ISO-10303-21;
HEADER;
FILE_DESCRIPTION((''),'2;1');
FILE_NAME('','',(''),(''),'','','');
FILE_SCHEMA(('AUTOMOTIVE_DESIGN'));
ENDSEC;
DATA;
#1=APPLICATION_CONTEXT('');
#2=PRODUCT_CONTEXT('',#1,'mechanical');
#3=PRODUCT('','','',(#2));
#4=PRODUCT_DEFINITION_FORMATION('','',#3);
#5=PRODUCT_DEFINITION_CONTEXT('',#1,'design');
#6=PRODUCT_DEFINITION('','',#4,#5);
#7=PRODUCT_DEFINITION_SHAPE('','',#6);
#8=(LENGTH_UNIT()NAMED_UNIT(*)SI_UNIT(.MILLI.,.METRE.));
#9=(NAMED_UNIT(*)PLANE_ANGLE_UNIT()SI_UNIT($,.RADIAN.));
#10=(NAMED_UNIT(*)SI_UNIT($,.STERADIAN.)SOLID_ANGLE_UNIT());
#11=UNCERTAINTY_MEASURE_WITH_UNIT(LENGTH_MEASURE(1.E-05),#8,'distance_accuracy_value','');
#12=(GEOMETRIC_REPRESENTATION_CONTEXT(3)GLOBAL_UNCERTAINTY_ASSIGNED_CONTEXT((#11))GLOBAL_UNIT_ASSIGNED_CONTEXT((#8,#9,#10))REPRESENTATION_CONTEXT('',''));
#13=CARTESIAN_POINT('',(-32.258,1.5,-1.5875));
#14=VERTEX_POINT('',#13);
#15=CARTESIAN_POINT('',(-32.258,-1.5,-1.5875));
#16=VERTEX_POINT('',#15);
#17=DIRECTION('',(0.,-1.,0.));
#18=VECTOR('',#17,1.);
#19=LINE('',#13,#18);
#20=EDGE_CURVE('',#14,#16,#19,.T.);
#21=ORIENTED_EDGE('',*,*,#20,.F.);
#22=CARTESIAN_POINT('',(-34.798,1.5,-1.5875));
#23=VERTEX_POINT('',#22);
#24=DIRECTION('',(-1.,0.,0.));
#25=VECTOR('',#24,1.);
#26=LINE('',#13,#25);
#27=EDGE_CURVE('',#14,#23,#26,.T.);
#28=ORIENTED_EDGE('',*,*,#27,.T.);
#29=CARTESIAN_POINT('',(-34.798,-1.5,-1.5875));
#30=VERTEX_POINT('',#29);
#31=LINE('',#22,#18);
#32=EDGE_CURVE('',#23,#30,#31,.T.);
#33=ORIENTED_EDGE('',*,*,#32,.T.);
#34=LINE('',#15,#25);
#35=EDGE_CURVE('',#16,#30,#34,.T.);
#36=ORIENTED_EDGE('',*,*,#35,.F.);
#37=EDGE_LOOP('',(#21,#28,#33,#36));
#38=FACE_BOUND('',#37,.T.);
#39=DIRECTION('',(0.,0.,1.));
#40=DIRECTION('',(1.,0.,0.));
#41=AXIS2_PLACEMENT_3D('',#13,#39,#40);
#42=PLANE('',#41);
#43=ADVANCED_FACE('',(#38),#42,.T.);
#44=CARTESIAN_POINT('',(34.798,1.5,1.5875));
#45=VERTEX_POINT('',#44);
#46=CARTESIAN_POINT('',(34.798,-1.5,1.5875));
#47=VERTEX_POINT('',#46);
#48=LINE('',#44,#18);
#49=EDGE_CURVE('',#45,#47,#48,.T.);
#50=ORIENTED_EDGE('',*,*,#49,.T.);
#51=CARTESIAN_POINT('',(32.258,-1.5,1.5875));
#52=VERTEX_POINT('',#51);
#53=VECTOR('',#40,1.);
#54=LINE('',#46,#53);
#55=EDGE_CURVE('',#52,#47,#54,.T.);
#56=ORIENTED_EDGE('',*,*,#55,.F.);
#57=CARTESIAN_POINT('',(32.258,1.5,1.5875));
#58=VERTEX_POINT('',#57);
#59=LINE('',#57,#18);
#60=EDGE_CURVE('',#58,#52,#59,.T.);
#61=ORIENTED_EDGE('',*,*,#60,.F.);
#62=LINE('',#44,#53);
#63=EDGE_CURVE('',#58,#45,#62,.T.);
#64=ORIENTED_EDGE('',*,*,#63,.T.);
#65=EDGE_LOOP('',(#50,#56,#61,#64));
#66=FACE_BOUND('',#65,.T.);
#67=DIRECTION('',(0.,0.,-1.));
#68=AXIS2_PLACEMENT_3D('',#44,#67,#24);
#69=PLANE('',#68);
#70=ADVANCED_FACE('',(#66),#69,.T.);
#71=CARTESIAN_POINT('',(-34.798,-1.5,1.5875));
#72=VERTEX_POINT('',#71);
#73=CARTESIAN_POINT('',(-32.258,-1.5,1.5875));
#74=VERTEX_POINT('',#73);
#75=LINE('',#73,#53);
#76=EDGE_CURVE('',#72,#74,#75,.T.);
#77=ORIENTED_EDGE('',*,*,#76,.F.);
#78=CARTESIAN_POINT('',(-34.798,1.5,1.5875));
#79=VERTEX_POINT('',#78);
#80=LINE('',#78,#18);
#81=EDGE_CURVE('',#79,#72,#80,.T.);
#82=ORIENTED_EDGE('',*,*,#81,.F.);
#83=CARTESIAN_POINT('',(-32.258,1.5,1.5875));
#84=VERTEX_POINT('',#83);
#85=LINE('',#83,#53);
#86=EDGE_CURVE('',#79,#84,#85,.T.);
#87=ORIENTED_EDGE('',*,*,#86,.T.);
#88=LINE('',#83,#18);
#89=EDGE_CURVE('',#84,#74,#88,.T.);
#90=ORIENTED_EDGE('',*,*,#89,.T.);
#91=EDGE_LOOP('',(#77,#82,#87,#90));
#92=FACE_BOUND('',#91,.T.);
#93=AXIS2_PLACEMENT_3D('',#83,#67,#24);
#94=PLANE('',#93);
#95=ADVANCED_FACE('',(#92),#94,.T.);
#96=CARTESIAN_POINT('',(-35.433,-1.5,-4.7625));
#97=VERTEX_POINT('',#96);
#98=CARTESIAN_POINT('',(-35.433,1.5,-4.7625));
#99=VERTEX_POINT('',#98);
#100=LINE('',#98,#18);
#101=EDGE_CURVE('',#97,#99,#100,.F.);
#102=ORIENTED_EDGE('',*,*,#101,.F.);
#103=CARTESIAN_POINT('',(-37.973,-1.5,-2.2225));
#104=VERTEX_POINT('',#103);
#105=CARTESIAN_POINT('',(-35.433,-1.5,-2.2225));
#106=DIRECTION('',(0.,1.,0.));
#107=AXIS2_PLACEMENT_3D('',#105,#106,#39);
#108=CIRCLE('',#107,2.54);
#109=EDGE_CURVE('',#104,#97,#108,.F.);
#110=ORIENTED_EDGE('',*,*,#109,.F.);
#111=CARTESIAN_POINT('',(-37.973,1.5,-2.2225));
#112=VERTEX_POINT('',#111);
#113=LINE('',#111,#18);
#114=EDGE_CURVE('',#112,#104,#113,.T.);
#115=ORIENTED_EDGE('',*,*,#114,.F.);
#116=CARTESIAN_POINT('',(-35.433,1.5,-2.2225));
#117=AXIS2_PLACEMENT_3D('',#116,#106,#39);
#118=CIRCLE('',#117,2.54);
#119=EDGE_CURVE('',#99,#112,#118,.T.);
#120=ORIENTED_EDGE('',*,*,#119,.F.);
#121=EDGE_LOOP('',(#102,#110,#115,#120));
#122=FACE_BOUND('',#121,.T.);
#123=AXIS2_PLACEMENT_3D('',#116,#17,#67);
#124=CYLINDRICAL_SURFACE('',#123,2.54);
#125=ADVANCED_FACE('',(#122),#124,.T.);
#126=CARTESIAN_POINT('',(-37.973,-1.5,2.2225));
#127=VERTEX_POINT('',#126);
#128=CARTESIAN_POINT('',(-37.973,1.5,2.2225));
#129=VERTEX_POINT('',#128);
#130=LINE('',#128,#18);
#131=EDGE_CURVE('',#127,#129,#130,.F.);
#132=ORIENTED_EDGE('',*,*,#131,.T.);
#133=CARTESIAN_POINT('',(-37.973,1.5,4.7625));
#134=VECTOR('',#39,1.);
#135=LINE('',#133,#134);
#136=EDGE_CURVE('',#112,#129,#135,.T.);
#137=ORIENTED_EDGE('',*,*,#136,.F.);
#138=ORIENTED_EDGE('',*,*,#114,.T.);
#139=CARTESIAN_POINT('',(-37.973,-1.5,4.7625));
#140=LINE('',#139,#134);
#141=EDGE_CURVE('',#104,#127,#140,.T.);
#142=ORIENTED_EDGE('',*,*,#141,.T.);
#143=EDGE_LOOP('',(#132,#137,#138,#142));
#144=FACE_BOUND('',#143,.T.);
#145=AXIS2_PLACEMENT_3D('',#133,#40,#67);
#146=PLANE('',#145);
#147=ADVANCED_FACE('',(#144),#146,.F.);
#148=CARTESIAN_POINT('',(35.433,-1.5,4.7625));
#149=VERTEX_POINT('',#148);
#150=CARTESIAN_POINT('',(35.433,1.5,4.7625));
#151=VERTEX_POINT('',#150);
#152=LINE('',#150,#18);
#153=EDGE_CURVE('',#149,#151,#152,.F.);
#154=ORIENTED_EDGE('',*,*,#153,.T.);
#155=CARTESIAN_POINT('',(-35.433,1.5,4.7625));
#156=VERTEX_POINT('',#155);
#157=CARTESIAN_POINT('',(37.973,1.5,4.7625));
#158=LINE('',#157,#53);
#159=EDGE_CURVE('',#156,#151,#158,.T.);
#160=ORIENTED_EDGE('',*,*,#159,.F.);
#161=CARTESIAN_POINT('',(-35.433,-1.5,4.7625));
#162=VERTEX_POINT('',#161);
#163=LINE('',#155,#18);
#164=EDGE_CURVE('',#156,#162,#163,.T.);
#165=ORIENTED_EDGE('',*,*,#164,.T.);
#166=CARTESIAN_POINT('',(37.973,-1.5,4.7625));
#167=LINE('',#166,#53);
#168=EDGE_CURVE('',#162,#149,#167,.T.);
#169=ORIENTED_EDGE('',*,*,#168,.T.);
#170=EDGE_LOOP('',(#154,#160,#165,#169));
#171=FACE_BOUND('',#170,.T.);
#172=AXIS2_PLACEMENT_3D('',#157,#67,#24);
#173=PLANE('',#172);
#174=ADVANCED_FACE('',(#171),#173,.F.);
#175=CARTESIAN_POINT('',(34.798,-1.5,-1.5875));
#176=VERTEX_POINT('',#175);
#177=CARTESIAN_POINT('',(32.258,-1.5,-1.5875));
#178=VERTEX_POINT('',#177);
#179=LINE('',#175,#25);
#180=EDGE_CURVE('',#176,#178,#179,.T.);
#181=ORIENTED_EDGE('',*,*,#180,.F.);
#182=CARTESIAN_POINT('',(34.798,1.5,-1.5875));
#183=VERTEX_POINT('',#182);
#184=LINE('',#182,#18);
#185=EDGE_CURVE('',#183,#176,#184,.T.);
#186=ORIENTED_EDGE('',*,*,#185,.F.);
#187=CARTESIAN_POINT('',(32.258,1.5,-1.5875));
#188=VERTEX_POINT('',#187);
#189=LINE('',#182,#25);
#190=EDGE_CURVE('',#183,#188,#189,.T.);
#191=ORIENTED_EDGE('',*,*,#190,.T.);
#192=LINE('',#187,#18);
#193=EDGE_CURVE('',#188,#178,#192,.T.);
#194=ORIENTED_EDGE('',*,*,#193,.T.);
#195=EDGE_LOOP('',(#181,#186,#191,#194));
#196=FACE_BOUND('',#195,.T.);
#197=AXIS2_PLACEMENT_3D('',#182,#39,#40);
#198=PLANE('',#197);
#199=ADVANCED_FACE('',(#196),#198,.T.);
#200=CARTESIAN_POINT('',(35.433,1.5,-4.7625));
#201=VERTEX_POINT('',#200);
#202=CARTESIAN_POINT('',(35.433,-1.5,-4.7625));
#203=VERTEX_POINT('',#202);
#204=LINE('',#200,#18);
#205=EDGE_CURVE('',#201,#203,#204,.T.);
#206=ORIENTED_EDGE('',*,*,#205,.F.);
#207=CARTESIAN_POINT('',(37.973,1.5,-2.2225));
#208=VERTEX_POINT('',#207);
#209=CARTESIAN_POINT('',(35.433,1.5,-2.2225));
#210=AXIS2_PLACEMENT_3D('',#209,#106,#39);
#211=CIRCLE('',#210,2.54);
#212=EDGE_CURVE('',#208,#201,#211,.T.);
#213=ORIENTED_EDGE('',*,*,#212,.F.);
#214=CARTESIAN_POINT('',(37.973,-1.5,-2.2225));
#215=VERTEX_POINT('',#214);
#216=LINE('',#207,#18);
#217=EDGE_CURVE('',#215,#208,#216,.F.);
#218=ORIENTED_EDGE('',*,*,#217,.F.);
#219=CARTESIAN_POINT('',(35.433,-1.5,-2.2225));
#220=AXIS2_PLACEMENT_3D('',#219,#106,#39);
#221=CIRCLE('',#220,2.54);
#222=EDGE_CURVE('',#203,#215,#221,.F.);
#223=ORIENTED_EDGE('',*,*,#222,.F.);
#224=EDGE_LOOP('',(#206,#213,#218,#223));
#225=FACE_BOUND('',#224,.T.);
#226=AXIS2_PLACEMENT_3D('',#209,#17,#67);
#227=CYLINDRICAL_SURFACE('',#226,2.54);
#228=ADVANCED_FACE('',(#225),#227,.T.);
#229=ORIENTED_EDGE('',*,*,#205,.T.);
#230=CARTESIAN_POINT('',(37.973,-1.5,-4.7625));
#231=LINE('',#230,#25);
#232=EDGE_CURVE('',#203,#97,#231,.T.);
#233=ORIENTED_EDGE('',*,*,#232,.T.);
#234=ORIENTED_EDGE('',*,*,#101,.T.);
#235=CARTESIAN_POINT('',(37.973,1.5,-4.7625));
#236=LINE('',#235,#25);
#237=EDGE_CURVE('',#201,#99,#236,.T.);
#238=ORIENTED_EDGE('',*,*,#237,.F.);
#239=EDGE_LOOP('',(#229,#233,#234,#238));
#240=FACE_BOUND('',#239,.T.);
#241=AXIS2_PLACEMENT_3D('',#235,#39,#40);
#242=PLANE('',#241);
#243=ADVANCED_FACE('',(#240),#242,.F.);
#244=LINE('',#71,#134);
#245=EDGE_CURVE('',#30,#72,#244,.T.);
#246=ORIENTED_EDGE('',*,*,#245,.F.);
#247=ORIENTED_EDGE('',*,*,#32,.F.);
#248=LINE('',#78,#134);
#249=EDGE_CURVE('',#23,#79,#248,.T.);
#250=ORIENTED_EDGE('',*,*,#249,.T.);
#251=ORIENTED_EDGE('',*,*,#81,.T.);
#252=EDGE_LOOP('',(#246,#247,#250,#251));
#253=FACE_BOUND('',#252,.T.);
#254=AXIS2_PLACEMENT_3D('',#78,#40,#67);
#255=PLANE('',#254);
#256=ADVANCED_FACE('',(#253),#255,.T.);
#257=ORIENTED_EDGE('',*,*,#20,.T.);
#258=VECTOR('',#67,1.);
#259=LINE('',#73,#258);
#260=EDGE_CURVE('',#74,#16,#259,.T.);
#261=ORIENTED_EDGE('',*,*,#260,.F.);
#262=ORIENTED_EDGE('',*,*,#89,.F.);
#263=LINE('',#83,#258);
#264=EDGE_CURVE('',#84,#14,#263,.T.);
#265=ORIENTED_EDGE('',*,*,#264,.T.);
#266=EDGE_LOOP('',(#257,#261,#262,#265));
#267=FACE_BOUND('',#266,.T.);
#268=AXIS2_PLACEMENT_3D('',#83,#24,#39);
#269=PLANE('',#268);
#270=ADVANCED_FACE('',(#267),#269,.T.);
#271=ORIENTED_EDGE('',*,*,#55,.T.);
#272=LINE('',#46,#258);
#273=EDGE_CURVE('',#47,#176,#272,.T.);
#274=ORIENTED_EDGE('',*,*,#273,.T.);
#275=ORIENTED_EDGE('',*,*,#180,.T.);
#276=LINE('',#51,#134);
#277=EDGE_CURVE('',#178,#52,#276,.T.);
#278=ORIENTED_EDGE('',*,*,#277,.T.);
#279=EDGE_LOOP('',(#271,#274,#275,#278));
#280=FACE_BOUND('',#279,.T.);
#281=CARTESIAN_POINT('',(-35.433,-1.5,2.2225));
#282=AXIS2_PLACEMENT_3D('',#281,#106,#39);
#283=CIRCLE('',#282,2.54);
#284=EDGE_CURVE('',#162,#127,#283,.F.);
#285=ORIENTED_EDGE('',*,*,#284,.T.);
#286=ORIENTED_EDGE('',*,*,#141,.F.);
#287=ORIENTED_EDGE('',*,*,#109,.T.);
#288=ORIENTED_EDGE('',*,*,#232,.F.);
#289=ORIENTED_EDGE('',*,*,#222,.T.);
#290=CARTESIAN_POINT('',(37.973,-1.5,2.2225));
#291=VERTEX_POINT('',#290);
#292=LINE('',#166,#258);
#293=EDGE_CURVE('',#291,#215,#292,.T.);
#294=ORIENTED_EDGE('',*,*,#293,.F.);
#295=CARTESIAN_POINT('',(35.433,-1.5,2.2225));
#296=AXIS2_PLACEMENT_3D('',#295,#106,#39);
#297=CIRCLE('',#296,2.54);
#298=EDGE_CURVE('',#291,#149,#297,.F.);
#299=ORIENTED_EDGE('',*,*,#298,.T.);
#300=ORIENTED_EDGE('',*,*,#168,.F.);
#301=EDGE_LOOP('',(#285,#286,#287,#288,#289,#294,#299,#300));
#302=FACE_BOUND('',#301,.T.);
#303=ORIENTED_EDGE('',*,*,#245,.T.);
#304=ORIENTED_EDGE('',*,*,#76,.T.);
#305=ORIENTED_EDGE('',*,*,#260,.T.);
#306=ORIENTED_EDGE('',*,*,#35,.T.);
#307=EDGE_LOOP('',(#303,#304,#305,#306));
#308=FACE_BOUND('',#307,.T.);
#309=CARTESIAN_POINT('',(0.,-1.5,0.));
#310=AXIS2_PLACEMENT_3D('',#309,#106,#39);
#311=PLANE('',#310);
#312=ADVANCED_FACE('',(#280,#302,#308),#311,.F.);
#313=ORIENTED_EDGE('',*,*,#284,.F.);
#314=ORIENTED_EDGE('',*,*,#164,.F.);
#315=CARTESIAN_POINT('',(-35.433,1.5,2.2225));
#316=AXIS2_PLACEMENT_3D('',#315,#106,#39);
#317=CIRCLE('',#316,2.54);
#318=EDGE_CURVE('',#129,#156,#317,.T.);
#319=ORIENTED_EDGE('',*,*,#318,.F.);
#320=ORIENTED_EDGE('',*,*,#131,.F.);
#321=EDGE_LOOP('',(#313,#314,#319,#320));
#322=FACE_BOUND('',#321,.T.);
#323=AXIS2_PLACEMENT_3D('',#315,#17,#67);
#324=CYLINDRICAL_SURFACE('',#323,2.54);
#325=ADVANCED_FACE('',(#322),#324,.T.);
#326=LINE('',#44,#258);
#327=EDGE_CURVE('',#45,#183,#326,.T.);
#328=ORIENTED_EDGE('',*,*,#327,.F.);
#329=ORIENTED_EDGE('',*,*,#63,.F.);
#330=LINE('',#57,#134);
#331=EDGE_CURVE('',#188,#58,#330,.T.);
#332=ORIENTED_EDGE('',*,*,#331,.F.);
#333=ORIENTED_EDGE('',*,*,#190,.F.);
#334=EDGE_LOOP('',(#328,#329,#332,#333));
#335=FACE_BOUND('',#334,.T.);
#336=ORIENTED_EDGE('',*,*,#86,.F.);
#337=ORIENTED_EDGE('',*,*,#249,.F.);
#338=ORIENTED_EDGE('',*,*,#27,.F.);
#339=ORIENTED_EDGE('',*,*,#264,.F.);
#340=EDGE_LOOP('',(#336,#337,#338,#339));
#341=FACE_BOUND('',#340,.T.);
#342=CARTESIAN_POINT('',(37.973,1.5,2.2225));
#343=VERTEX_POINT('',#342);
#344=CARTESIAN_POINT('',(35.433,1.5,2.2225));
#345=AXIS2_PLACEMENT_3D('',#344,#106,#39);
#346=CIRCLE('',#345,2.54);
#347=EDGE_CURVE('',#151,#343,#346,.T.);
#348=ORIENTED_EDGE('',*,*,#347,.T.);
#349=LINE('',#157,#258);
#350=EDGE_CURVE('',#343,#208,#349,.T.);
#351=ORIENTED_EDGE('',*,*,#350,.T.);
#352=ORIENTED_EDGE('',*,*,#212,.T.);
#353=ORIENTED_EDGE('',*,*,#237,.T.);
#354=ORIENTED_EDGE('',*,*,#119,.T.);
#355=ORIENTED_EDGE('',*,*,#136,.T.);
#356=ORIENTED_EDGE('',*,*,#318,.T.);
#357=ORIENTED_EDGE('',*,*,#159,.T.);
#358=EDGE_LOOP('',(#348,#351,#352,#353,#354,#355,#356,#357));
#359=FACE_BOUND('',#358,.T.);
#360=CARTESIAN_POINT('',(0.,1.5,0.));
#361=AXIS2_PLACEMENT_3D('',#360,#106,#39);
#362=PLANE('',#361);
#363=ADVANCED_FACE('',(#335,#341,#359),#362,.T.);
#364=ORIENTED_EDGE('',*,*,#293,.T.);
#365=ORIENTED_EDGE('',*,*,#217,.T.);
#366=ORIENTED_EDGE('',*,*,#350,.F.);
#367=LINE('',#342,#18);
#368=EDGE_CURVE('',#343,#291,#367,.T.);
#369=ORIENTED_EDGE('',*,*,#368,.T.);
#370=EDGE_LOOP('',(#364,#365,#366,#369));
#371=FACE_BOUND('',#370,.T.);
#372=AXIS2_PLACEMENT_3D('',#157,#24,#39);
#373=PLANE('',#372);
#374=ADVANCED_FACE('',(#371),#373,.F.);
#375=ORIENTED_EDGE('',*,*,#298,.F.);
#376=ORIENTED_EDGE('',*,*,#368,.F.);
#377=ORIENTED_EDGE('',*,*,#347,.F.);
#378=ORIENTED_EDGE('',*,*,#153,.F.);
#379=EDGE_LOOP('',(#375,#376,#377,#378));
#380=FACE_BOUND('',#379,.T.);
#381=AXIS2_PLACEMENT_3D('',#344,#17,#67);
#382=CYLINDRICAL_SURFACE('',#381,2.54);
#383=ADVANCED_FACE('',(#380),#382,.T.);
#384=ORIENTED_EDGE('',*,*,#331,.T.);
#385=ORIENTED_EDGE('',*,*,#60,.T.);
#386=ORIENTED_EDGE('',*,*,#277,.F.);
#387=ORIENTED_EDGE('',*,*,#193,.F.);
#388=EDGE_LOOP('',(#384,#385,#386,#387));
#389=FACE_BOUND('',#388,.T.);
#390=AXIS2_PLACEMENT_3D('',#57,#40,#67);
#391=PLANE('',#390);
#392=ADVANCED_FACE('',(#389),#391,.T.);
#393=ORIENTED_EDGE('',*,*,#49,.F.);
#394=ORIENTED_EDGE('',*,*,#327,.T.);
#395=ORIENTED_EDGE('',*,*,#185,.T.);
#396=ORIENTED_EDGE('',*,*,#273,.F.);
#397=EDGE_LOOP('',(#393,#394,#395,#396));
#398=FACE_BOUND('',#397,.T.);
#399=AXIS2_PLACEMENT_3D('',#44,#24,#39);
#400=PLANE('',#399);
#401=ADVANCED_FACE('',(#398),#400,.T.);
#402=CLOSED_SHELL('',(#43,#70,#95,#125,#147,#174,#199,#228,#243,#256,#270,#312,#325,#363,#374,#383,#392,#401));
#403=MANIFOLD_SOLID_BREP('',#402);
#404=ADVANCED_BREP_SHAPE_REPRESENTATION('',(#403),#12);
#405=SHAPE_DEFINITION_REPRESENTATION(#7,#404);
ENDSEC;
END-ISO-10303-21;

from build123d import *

# Parameters (mm, degrees)
SKETCH1_W           = 75.946
SKETCH1_H           = 9.525
SKETCH1_W_2         = 2.54
SKETCH1_H_2         = 3.175
BOSS_EXTRUDE1_DEPTH = 1.5
FILLET1_R           = 2.54


with BuildPart() as part:
    # Sketch1 → Boss-Extrude1 (new, symmetric)
    with BuildSketch(Plane(origin=(0, 0, 0), x_dir=(1, 0, 0), z_dir=(0, 1, 0))):
        Rectangle(SKETCH1_W, SKETCH1_H)
        with Locations((-33.528, 0)):
            Rectangle(SKETCH1_W_2, SKETCH1_H_2, mode=Mode.SUBTRACT)
        with Locations((33.528, 0)):
            Rectangle(SKETCH1_W_2, SKETCH1_H_2, mode=Mode.SUBTRACT)
    extrude(amount=BOSS_EXTRUDE1_DEPTH, both=True)

    # Fillet1
    fillet1_edges = [part.edges().sort_by_distance(p)[0] for p in [
        (-37.973, 0, -4.7625),
        (37.973, 0, -4.7625),
        (37.973, 0, 4.7625),
        (-37.973, 0, 4.7625),
    ]]
    fillet(fillet1_edges, radius=FILLET1_R)


solid = part.part
